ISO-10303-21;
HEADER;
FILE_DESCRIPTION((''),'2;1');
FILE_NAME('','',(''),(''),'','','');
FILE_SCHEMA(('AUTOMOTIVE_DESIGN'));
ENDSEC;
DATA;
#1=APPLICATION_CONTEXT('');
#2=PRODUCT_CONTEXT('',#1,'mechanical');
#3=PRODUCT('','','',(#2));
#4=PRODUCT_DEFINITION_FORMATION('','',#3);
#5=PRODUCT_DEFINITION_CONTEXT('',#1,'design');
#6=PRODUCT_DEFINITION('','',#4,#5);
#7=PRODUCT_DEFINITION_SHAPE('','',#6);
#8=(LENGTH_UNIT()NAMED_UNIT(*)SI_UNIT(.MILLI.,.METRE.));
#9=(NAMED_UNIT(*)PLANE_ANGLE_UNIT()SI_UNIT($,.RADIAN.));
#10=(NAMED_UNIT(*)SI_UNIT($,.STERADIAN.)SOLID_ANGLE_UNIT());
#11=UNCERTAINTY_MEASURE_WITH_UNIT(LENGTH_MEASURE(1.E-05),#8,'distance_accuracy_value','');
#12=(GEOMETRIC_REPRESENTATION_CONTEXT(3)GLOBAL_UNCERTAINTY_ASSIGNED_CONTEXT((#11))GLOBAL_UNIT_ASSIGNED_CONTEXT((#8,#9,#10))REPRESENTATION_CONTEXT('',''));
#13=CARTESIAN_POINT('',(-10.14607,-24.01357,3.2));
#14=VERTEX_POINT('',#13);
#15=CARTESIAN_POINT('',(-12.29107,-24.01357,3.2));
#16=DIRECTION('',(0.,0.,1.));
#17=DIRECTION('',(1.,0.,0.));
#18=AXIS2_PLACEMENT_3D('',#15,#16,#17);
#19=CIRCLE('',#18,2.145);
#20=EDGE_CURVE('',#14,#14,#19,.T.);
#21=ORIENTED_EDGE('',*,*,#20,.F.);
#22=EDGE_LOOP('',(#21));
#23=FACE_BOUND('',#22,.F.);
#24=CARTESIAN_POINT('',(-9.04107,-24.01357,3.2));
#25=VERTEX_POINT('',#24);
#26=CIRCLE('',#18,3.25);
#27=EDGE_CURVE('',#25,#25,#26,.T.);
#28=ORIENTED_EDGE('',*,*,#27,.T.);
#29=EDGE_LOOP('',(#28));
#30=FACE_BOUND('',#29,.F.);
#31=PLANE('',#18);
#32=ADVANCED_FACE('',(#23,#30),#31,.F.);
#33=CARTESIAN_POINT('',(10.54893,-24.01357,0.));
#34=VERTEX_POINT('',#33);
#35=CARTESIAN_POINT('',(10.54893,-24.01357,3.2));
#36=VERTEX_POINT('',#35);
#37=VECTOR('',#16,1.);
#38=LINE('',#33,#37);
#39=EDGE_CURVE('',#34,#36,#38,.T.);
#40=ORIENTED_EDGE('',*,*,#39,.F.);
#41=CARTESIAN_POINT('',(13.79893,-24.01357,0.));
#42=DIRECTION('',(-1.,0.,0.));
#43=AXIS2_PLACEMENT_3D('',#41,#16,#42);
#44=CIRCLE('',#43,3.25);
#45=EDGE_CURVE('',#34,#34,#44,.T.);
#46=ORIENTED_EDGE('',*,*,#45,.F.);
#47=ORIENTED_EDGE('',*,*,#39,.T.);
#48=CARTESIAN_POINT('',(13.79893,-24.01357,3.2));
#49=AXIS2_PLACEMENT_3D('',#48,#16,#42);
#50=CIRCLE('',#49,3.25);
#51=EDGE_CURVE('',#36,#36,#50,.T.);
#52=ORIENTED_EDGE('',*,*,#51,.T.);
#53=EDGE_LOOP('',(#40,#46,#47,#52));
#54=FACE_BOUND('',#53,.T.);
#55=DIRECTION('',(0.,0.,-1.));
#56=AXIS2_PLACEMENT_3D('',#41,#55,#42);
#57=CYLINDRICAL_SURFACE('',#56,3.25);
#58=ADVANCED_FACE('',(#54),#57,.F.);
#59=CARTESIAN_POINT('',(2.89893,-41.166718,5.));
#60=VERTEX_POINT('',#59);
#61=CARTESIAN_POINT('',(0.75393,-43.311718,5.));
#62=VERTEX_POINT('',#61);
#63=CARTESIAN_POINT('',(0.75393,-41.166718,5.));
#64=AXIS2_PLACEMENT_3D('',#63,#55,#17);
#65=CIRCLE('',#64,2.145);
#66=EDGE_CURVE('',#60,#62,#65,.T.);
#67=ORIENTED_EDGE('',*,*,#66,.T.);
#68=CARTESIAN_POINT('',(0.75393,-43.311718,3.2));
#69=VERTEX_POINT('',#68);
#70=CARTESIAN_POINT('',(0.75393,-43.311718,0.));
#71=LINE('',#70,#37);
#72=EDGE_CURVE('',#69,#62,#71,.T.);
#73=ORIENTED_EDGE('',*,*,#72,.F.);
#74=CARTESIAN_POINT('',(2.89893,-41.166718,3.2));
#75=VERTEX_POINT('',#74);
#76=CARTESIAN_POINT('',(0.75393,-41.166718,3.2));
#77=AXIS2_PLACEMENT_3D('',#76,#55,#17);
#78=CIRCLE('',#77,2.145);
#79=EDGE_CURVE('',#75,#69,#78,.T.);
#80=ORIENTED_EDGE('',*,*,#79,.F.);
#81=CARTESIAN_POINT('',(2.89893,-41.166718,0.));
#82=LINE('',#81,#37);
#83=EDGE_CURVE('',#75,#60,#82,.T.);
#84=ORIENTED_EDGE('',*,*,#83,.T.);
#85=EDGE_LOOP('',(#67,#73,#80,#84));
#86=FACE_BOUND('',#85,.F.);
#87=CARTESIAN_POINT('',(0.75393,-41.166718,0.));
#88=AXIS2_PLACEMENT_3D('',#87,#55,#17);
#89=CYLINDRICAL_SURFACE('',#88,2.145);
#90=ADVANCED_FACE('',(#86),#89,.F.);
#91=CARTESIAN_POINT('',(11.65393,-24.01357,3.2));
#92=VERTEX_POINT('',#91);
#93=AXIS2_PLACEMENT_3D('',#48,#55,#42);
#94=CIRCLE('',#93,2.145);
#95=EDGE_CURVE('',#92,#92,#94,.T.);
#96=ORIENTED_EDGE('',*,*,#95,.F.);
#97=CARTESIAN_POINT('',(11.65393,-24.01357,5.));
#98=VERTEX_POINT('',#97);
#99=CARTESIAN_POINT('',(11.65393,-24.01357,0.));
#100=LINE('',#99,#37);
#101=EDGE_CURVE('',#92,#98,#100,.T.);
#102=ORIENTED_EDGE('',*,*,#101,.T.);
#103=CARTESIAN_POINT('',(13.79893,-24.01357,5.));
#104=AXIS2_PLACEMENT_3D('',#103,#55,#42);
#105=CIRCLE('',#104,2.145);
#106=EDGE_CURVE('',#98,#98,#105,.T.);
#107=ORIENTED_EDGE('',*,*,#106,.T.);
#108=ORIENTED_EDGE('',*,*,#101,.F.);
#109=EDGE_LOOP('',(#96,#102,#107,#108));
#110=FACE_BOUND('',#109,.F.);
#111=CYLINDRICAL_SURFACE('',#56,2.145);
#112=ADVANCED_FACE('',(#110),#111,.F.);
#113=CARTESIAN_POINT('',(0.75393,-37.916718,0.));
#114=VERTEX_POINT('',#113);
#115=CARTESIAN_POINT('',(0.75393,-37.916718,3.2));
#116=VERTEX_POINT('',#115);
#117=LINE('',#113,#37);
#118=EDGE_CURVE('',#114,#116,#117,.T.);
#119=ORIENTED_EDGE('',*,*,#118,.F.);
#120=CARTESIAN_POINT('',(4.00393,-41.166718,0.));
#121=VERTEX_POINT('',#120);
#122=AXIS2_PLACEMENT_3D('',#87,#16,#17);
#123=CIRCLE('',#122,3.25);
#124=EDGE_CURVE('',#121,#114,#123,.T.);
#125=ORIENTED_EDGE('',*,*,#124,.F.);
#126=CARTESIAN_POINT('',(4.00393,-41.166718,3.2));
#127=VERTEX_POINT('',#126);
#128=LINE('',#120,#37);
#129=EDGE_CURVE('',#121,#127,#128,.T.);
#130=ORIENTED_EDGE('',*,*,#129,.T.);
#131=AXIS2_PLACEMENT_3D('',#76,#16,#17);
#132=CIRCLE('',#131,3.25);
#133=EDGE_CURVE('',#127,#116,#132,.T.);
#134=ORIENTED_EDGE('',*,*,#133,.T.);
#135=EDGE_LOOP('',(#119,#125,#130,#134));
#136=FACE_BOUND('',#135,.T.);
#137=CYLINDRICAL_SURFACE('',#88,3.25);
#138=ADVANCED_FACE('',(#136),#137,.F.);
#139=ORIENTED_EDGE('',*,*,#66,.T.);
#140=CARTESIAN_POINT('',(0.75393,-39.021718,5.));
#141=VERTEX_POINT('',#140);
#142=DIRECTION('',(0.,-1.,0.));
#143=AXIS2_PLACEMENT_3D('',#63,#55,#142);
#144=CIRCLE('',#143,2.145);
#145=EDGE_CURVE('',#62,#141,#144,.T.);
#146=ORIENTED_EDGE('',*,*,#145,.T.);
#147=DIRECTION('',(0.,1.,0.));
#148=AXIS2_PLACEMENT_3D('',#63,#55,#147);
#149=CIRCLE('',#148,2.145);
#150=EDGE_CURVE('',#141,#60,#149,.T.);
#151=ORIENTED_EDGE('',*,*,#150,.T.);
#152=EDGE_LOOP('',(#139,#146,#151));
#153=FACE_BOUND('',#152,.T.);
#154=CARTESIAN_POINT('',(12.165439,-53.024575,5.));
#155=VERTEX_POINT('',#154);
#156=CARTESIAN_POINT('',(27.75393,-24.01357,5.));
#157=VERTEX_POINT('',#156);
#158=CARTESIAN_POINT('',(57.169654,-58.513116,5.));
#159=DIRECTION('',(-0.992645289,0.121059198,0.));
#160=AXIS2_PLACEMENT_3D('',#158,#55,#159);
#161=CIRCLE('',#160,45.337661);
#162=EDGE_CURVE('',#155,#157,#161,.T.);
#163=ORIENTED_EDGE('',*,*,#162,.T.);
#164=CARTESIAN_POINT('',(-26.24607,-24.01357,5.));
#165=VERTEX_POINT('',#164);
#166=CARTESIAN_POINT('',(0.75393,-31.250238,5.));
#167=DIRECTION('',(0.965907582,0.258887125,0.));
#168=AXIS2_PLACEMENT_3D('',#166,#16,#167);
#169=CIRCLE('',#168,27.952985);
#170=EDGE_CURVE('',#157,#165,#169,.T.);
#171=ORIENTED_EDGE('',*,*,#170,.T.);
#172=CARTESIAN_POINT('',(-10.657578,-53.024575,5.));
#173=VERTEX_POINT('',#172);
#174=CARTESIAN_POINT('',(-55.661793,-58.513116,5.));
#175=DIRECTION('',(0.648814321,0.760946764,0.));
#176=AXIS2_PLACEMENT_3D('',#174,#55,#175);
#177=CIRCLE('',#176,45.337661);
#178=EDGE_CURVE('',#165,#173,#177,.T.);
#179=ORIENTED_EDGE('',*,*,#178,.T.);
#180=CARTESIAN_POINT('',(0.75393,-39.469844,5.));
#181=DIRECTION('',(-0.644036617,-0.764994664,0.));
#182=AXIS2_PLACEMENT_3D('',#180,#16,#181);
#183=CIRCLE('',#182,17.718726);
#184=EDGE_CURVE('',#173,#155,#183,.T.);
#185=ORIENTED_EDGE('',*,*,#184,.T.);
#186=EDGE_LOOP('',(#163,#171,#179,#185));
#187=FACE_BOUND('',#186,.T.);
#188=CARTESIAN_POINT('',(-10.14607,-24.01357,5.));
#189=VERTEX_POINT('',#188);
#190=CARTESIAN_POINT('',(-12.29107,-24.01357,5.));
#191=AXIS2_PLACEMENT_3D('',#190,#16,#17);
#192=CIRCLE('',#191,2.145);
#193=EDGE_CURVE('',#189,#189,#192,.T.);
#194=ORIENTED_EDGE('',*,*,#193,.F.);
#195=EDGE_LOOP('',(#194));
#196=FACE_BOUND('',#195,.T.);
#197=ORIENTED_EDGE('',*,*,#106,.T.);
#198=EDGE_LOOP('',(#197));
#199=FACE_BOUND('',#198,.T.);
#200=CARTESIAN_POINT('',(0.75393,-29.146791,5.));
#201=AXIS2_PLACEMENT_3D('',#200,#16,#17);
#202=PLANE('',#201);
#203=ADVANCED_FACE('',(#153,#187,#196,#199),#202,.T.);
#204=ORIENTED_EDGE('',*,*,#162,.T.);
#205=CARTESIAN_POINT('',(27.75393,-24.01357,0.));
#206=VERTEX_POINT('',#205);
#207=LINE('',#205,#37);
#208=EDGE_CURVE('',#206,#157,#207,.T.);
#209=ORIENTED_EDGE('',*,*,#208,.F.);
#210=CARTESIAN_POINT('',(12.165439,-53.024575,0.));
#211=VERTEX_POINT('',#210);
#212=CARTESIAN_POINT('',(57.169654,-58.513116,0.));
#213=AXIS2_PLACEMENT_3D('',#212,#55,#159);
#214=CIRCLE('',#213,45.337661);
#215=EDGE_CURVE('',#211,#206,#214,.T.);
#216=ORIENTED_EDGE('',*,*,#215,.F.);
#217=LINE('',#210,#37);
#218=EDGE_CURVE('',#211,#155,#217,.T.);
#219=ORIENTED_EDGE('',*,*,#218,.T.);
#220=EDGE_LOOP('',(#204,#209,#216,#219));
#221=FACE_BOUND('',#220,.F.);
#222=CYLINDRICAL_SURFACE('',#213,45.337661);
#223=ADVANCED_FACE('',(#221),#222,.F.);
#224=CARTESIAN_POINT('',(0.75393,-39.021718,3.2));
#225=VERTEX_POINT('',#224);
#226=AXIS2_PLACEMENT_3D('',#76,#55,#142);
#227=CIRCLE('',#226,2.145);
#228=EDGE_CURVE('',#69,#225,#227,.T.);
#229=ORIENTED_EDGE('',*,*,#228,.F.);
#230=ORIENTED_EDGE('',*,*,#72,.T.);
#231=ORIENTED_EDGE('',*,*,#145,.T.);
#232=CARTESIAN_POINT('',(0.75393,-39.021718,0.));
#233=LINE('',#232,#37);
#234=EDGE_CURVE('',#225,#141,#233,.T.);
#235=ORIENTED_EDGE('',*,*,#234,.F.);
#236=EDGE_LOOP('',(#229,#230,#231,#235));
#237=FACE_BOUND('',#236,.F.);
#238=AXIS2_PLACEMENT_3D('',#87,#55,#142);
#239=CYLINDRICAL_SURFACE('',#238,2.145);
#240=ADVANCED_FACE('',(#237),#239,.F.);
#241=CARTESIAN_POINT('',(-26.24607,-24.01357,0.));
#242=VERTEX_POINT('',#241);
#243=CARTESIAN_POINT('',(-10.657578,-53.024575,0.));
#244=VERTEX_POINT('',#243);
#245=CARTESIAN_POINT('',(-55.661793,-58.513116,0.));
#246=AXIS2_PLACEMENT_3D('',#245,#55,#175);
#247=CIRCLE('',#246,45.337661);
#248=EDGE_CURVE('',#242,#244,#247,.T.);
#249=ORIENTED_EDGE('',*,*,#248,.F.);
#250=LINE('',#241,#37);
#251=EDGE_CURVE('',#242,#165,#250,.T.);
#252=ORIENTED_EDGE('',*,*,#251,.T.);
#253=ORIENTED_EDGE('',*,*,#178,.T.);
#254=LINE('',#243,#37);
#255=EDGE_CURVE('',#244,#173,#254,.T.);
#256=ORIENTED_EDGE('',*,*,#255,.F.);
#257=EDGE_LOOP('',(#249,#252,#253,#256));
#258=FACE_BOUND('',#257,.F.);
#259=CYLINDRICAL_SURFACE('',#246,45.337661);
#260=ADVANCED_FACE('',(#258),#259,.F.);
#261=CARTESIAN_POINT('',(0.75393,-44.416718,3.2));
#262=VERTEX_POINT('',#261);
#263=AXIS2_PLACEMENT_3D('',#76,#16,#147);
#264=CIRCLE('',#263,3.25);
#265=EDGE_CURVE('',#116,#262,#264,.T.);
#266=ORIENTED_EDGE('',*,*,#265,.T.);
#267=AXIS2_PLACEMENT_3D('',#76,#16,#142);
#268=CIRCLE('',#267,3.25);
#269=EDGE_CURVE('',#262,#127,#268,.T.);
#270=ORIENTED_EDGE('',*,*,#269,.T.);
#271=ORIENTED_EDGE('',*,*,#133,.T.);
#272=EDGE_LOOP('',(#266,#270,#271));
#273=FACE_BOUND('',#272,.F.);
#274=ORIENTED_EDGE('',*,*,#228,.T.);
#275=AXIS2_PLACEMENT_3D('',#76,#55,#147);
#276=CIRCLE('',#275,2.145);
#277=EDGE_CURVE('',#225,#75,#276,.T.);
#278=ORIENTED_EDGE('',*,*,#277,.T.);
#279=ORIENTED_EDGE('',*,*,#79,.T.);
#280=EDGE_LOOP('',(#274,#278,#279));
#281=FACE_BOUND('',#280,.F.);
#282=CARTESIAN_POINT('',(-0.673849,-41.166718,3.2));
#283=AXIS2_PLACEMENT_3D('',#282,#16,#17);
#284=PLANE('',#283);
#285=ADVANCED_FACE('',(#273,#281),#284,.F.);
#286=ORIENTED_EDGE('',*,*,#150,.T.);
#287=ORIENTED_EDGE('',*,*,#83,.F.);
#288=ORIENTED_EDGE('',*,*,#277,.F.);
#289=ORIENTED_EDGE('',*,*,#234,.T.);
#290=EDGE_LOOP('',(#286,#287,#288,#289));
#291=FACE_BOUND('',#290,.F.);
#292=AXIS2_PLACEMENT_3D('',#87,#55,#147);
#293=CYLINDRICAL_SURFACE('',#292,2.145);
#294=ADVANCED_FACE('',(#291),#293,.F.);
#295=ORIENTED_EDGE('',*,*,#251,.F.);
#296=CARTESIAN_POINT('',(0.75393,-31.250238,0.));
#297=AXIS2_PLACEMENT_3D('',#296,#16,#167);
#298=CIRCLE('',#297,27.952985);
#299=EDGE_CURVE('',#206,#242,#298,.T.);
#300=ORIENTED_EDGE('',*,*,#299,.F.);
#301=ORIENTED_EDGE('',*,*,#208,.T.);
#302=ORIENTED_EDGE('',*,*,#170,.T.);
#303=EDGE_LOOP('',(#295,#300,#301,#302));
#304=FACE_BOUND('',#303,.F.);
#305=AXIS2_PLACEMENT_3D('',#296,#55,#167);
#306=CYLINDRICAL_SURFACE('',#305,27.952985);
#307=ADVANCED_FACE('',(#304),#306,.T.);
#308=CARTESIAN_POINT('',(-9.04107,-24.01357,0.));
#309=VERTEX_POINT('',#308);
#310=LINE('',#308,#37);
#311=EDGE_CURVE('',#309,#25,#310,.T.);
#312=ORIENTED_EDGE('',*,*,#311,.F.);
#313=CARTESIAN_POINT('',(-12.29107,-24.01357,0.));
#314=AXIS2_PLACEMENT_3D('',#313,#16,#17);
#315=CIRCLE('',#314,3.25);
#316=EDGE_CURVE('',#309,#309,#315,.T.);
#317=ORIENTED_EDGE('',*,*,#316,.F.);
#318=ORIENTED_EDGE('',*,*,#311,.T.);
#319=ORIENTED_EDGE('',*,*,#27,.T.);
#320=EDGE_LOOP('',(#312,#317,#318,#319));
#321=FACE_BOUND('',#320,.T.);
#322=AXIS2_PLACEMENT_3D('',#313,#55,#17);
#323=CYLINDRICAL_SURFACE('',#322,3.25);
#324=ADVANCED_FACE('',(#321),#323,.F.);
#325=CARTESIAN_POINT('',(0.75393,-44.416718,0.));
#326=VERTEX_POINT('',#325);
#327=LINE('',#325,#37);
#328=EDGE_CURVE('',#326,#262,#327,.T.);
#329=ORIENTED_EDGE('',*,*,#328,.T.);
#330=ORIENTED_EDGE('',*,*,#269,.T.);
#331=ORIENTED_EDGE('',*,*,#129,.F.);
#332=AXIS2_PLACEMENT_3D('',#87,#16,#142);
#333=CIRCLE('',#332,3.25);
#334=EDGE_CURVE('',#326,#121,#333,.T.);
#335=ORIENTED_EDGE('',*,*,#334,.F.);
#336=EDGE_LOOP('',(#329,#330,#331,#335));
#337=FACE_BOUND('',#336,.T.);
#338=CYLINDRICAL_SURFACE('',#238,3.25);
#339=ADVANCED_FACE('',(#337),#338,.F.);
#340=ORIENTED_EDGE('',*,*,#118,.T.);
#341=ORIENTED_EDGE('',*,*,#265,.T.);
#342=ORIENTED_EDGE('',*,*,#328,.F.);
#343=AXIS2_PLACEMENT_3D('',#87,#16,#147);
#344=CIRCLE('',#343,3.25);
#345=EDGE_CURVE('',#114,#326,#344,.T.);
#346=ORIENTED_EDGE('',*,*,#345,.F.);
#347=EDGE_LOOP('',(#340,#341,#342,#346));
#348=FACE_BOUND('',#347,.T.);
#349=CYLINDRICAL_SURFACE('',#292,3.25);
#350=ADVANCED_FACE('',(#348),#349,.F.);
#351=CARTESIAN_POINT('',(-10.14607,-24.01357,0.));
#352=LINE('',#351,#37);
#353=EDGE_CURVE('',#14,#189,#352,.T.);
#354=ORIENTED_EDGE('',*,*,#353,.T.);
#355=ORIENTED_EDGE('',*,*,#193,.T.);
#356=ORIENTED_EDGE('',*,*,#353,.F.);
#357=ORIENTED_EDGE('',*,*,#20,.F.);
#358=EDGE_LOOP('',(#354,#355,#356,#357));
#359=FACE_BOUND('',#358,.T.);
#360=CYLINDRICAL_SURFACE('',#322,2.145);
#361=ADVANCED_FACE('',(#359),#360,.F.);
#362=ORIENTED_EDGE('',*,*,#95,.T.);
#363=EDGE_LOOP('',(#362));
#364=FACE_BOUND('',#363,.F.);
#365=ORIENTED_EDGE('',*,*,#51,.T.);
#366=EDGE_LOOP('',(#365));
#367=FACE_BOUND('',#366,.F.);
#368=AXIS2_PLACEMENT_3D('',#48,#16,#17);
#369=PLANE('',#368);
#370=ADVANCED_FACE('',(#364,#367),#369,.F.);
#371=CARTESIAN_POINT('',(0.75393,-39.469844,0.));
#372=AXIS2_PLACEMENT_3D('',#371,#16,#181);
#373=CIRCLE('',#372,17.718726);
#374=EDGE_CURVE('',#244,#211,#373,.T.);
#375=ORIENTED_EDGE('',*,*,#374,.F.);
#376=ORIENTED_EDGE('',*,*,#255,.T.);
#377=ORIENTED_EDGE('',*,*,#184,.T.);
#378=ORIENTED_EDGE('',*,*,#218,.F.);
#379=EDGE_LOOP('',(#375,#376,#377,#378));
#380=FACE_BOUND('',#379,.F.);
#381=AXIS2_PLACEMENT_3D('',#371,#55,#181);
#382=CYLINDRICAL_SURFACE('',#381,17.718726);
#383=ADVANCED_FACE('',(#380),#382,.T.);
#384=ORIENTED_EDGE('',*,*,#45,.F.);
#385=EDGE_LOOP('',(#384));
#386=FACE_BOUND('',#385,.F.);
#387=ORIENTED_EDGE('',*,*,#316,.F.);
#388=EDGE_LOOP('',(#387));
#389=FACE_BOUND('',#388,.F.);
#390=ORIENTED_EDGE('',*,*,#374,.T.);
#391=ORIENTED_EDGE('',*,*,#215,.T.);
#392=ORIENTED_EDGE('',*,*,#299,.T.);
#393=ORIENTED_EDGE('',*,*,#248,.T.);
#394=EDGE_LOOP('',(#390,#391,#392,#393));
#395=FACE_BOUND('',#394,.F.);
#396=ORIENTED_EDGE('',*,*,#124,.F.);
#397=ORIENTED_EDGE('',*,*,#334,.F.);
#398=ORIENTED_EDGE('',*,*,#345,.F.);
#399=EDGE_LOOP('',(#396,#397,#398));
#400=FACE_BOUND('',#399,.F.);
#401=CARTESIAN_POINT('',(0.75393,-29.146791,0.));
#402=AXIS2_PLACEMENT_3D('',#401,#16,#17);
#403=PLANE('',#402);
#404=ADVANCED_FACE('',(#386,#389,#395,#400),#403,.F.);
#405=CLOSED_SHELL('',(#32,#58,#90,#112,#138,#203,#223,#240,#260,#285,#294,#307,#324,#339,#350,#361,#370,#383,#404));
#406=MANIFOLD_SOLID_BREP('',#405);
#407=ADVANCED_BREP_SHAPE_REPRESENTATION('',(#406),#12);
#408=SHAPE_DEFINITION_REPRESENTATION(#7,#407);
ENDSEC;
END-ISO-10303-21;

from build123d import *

# Parameters (mm, degrees)
F0_R     = 4
F0_R_2   = 3.25
F0_R_3   = 2.145
F1_DEPTH = 5
F2_DEPTH = 3.2


with BuildPart() as f1:
    # F0 (on Top) → F1 (new body)
    with BuildSketch(Plane.XY):
        with BuildLine():
            ThreePointArc((-10.6575777754, -53.0245751143), (-5.3198116886, -56.1150509582), (0.7539304934, -57.1885702394))
            ThreePointArc((0.7539304934, -57.1885702394), (6.8276726753, -56.1150509582), (12.1654387622, -53.0245751143))
            ThreePointArc((12.1654387622, -53.0245751143), (17.232310235, -37.0535716462), (27.7539304934, -24.013569904))
            ThreePointArc((27.7539304934, -24.013569904), (0.7539304934, -3.2972529395), (-26.2460695066, -24.013569904))
            ThreePointArc((-26.2460695066, -24.013569904), (-15.7244492482, -37.0535716462), (-10.6575777754, -53.0245751143))
        make_face()
        with BuildLine():
            ThreePointArc((4.7539304934, -41.1667175744), (3.5823576181, -43.9951446991), (0.7539304934, -45.1667175744))
            ThreePointArc((0.7539304934, -45.1667175744), (-3.2460695066, -41.1667175744), (0.7539304934, -37.1667175744))
            ThreePointArc((0.7539304934, -37.1667175744), (3.5823576181, -38.3382904496), (4.7539304934, -41.1667175744))
        make_face(mode=Mode.SUBTRACT)
        with Locations((-12.2910695066, -24.013569904)):
            Circle(F0_R, mode=Mode.SUBTRACT)
        with BuildLine():
            ThreePointArc((17.7989304934, -24.013569904), (13.7989304934, -28.013569904), (9.7989304934, -24.013569904))
            ThreePointArc((9.7989304934, -24.013569904), (13.7989304934, -20.013569904), (17.7989304934, -24.013569904))
        make_face(mode=Mode.SUBTRACT)
        with BuildLine():
            ThreePointArc((17.7989304934, -24.013569904), (13.7989304934, -20.013569904), (9.7989304934, -24.013569904))
            ThreePointArc((9.7989304934, -24.013569904), (13.7989304934, -28.013569904), (17.7989304934, -24.013569904))
        make_face()
        with BuildLine():
            ThreePointArc((17.0489304934, -24.013569904), (13.7989304934, -27.263569904), (10.5489304934, -24.013569904))
            ThreePointArc((10.5489304934, -24.013569904), (13.7989304934, -20.763569904), (17.0489304934, -24.013569904))
        make_face(mode=Mode.SUBTRACT)
        with Locations((-12.2910695066, -24.013569904)):
            Circle(F0_R)
        with Locations((-12.2910695066, -24.013569904)):
            Circle(F0_R_2, mode=Mode.SUBTRACT)
        with BuildLine():
            ThreePointArc((17.0489304934, -24.013569904), (13.7989304934, -20.763569904), (10.5489304934, -24.013569904))
            ThreePointArc((10.5489304934, -24.013569904), (13.7989304934, -27.263569904), (17.0489304934, -24.013569904))
        make_face()
        with BuildLine():
            ThreePointArc((15.9439304934, -24.013569904), (13.7989304934, -26.158569904), (11.6539304934, -24.013569904))
            ThreePointArc((11.6539304934, -24.013569904), (13.7989304934, -21.868569904), (15.9439304934, -24.013569904))
        make_face(mode=Mode.SUBTRACT)
        with Locations((-12.2910695066, -24.013569904)):
            Circle(F0_R_2)
        with Locations((-12.2910695066, -24.013569904)):
            Circle(F0_R_3, mode=Mode.SUBTRACT)
        with BuildLine():
            ThreePointArc((0.7539304934, -37.9167175744), (-2.4960695066, -41.1667175744), (0.7539304934, -44.4167175744))
            Line((0.7539304934, -44.4167175744), (0.7539304934, -43.3117175744))
            ThreePointArc((0.7539304934, -43.3117175744), (-1.3910695066, -41.1667175744), (0.7539304934, -39.0217175744))
            Line((0.7539304934, -39.0217175744), (0.7539304934, -37.9167175744))
        make_face()
        with BuildLine():
            Line((0.7539304934, -43.3117175744), (0.7539304934, -44.4167175744))
            ThreePointArc((0.7539304934, -44.4167175744), (3.0520275322, -43.4648146132), (4.0039304934, -41.1667175744))
            ThreePointArc((4.0039304934, -41.1667175744), (3.0520275322, -38.8686205355), (0.7539304934, -37.9167175744))
            Line((0.7539304934, -37.9167175744), (0.7539304934, -39.0217175744))
            ThreePointArc((0.7539304934, -39.0217175744), (2.270674539, -39.6499735287), (2.8989304934, -41.1667175744))
            ThreePointArc((2.8989304934, -41.1667175744), (2.270674539, -42.68346162), (0.7539304934, -43.3117175744))
        make_face()
        with BuildLine():
            ThreePointArc((0.7539304934, -37.1667175744), (-3.2460695066, -41.1667175744), (0.7539304934, -45.1667175744))
            Line((0.7539304934, -45.1667175744), (0.7539304934, -44.4167175744))
            ThreePointArc((0.7539304934, -44.4167175744), (-2.4960695066, -41.1667175744), (0.7539304934, -37.9167175744))
            Line((0.7539304934, -37.9167175744), (0.7539304934, -37.1667175744))
        make_face()
        with BuildLine():
            Line((0.7539304934, -44.4167175744), (0.7539304934, -45.1667175744))
            ThreePointArc((0.7539304934, -45.1667175744), (3.5823576181, -43.9951446991), (4.7539304934, -41.1667175744))
            ThreePointArc((4.7539304934, -41.1667175744), (3.5823576181, -38.3382904496), (0.7539304934, -37.1667175744))
            Line((0.7539304934, -37.1667175744), (0.7539304934, -37.9167175744))
            ThreePointArc((0.7539304934, -37.9167175744), (3.0520275322, -38.8686205355), (4.0039304934, -41.1667175744))
            ThreePointArc((4.0039304934, -41.1667175744), (3.0520275322, -43.4648146132), (0.7539304934, -44.4167175744))
        make_face()
    extrude(amount=F1_DEPTH)

    # F0 (on Top) → F2 (cut)
    with BuildSketch(Plane.XY):
        with BuildLine():
            ThreePointArc((17.0489304934, -24.013569904), (13.7989304934, -20.763569904), (10.5489304934, -24.013569904))
            ThreePointArc((10.5489304934, -24.013569904), (13.7989304934, -27.263569904), (17.0489304934, -24.013569904))
        make_face()
        with BuildLine():
            ThreePointArc((15.9439304934, -24.013569904), (13.7989304934, -26.158569904), (11.6539304934, -24.013569904))
            ThreePointArc((11.6539304934, -24.013569904), (13.7989304934, -21.868569904), (15.9439304934, -24.013569904))
        make_face(mode=Mode.SUBTRACT)
        with Locations((-12.2910695066, -24.013569904)):
            Circle(F0_R_2)
        with Locations((-12.2910695066, -24.013569904)):
            Circle(F0_R_3, mode=Mode.SUBTRACT)
        with BuildLine():
            ThreePointArc((0.7539304934, -37.9167175744), (-2.4960695066, -41.1667175744), (0.7539304934, -44.4167175744))
            Line((0.7539304934, -44.4167175744), (0.7539304934, -43.3117175744))
            ThreePointArc((0.7539304934, -43.3117175744), (-1.3910695066, -41.1667175744), (0.7539304934, -39.0217175744))
            Line((0.7539304934, -39.0217175744), (0.7539304934, -37.9167175744))
        make_face()
        with BuildLine():
            Line((0.7539304934, -43.3117175744), (0.7539304934, -44.4167175744))
            ThreePointArc((0.7539304934, -44.4167175744), (3.0520275322, -43.4648146132), (4.0039304934, -41.1667175744))
            ThreePointArc((4.0039304934, -41.1667175744), (3.0520275322, -38.8686205355), (0.7539304934, -37.9167175744))
            Line((0.7539304934, -37.9167175744), (0.7539304934, -39.0217175744))
            ThreePointArc((0.7539304934, -39.0217175744), (2.270674539, -39.6499735287), (2.8989304934, -41.1667175744))
            ThreePointArc((2.8989304934, -41.1667175744), (2.270674539, -42.68346162), (0.7539304934, -43.3117175744))
        make_face()
    extrude(amount=F2_DEPTH, mode=Mode.SUBTRACT)


solid = f1.part
